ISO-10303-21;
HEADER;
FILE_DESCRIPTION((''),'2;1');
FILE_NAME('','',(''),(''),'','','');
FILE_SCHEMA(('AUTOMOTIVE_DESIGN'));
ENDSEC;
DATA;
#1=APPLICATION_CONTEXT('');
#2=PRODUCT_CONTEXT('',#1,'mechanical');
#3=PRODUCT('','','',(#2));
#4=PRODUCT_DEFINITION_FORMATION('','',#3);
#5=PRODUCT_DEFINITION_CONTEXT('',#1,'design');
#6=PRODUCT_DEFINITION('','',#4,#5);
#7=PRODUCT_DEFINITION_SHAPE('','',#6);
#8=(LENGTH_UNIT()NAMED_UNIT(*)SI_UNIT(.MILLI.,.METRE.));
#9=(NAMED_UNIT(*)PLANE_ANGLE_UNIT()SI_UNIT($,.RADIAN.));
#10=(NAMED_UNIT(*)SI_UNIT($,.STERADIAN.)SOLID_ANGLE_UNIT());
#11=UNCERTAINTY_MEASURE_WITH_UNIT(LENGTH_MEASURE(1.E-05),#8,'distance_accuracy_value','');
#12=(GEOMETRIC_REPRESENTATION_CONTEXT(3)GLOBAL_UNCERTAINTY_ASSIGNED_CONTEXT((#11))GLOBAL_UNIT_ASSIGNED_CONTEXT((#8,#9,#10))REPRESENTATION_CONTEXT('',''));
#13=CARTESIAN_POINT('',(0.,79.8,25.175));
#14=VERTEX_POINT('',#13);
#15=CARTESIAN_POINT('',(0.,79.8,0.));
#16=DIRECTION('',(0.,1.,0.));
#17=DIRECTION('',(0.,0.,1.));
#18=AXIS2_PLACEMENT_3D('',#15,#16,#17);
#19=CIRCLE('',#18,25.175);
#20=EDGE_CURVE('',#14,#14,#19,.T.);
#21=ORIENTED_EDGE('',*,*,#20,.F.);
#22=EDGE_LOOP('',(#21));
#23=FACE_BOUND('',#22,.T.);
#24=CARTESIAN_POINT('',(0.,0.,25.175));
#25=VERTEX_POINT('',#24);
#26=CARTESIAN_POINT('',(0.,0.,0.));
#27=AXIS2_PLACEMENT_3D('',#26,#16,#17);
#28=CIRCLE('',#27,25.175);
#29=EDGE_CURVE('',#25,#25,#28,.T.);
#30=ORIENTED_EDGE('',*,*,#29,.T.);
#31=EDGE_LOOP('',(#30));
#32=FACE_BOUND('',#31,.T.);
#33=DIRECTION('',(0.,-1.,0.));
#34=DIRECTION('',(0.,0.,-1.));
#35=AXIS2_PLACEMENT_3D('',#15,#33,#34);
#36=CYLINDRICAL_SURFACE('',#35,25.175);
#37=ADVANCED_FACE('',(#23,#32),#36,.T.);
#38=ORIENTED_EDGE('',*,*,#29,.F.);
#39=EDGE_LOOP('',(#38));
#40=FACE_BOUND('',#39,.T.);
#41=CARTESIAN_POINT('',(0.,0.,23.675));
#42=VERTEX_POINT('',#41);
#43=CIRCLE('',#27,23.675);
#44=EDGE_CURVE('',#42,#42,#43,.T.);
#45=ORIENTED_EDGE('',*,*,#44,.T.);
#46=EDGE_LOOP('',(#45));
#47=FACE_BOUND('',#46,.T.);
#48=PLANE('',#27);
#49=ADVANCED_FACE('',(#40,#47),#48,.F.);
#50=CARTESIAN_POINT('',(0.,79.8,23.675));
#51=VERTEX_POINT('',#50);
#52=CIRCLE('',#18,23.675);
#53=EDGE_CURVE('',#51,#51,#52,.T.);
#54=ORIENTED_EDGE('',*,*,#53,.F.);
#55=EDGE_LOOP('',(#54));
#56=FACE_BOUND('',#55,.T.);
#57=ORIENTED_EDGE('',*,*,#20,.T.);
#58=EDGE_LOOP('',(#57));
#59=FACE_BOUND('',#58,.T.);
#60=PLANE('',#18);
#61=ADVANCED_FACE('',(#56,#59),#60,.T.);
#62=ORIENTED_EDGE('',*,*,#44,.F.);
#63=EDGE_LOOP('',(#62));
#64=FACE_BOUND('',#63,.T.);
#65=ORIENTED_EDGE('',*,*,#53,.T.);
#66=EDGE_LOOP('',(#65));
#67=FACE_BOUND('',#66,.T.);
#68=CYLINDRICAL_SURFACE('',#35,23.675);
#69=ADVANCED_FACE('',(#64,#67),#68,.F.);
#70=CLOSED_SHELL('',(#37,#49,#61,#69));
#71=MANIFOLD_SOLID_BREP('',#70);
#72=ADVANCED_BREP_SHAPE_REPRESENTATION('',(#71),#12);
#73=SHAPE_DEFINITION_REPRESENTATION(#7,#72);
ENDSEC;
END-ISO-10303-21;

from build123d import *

# Parameters (mm, degrees)
SKETCH1_R           = 25.175
SKETCH1_R_2         = 23.675
BOSS_EXTRUDE1_DEPTH = 79.8


with BuildPart() as part:
    # Sketch1 → Boss-Extrude1 (new body)
    with BuildSketch(Plane(origin=(0, 0, 0), x_dir=(1, 0, 0), z_dir=(0, 1, 0))):
        Circle(SKETCH1_R)
        Circle(SKETCH1_R_2, mode=Mode.SUBTRACT)
    extrude(amount=BOSS_EXTRUDE1_DEPTH)


solid = part.part
